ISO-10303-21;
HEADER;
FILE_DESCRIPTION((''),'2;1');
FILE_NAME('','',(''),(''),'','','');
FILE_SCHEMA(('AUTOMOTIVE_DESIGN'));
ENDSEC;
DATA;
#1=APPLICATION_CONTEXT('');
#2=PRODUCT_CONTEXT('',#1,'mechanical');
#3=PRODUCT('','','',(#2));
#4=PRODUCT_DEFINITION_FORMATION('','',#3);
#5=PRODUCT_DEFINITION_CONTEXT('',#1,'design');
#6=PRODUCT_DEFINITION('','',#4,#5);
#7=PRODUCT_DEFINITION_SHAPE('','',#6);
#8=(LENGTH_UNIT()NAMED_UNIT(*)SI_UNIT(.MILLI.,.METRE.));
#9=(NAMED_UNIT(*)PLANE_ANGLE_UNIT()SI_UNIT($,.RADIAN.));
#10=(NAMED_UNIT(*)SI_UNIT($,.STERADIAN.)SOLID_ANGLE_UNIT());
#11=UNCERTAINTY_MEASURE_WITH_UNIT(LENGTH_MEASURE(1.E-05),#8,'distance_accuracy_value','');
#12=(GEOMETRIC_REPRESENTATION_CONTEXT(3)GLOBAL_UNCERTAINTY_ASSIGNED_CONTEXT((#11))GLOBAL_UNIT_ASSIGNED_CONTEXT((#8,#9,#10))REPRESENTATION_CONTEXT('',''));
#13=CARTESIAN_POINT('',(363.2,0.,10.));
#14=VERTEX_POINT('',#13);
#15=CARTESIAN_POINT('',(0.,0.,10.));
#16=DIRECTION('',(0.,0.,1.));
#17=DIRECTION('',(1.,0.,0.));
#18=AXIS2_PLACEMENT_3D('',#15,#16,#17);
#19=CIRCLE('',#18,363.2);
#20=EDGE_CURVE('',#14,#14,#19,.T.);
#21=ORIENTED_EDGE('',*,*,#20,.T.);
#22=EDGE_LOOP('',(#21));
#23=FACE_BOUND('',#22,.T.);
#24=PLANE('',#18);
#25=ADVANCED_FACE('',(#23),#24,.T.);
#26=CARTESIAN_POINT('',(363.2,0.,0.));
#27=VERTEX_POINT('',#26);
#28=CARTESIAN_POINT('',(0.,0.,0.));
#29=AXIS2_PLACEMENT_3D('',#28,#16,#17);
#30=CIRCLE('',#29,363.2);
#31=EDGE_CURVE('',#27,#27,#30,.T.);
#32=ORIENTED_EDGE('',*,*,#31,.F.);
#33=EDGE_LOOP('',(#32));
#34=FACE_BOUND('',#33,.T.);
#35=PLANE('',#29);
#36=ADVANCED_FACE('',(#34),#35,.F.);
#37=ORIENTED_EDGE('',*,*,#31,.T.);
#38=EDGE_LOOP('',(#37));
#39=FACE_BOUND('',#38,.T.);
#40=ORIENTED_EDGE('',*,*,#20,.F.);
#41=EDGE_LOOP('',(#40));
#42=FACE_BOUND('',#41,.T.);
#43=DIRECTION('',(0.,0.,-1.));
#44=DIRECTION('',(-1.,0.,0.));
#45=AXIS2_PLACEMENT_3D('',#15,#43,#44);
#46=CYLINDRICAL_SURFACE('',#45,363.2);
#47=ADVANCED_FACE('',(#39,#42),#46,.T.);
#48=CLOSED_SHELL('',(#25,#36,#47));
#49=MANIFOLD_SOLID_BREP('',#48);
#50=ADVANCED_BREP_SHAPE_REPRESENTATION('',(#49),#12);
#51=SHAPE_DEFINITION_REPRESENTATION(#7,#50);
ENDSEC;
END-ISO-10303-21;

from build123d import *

# Parameters (mm, degrees)
ESQUISSE1_R        = 363.2
BOSS_EXTRU_1_DEPTH = 10


with BuildPart() as part:
    # Esquisse1 → Boss.-Extru.1 (new body)
    with BuildSketch(Plane.XY):
        Circle(ESQUISSE1_R)
    extrude(amount=BOSS_EXTRU_1_DEPTH)


solid = part.part
